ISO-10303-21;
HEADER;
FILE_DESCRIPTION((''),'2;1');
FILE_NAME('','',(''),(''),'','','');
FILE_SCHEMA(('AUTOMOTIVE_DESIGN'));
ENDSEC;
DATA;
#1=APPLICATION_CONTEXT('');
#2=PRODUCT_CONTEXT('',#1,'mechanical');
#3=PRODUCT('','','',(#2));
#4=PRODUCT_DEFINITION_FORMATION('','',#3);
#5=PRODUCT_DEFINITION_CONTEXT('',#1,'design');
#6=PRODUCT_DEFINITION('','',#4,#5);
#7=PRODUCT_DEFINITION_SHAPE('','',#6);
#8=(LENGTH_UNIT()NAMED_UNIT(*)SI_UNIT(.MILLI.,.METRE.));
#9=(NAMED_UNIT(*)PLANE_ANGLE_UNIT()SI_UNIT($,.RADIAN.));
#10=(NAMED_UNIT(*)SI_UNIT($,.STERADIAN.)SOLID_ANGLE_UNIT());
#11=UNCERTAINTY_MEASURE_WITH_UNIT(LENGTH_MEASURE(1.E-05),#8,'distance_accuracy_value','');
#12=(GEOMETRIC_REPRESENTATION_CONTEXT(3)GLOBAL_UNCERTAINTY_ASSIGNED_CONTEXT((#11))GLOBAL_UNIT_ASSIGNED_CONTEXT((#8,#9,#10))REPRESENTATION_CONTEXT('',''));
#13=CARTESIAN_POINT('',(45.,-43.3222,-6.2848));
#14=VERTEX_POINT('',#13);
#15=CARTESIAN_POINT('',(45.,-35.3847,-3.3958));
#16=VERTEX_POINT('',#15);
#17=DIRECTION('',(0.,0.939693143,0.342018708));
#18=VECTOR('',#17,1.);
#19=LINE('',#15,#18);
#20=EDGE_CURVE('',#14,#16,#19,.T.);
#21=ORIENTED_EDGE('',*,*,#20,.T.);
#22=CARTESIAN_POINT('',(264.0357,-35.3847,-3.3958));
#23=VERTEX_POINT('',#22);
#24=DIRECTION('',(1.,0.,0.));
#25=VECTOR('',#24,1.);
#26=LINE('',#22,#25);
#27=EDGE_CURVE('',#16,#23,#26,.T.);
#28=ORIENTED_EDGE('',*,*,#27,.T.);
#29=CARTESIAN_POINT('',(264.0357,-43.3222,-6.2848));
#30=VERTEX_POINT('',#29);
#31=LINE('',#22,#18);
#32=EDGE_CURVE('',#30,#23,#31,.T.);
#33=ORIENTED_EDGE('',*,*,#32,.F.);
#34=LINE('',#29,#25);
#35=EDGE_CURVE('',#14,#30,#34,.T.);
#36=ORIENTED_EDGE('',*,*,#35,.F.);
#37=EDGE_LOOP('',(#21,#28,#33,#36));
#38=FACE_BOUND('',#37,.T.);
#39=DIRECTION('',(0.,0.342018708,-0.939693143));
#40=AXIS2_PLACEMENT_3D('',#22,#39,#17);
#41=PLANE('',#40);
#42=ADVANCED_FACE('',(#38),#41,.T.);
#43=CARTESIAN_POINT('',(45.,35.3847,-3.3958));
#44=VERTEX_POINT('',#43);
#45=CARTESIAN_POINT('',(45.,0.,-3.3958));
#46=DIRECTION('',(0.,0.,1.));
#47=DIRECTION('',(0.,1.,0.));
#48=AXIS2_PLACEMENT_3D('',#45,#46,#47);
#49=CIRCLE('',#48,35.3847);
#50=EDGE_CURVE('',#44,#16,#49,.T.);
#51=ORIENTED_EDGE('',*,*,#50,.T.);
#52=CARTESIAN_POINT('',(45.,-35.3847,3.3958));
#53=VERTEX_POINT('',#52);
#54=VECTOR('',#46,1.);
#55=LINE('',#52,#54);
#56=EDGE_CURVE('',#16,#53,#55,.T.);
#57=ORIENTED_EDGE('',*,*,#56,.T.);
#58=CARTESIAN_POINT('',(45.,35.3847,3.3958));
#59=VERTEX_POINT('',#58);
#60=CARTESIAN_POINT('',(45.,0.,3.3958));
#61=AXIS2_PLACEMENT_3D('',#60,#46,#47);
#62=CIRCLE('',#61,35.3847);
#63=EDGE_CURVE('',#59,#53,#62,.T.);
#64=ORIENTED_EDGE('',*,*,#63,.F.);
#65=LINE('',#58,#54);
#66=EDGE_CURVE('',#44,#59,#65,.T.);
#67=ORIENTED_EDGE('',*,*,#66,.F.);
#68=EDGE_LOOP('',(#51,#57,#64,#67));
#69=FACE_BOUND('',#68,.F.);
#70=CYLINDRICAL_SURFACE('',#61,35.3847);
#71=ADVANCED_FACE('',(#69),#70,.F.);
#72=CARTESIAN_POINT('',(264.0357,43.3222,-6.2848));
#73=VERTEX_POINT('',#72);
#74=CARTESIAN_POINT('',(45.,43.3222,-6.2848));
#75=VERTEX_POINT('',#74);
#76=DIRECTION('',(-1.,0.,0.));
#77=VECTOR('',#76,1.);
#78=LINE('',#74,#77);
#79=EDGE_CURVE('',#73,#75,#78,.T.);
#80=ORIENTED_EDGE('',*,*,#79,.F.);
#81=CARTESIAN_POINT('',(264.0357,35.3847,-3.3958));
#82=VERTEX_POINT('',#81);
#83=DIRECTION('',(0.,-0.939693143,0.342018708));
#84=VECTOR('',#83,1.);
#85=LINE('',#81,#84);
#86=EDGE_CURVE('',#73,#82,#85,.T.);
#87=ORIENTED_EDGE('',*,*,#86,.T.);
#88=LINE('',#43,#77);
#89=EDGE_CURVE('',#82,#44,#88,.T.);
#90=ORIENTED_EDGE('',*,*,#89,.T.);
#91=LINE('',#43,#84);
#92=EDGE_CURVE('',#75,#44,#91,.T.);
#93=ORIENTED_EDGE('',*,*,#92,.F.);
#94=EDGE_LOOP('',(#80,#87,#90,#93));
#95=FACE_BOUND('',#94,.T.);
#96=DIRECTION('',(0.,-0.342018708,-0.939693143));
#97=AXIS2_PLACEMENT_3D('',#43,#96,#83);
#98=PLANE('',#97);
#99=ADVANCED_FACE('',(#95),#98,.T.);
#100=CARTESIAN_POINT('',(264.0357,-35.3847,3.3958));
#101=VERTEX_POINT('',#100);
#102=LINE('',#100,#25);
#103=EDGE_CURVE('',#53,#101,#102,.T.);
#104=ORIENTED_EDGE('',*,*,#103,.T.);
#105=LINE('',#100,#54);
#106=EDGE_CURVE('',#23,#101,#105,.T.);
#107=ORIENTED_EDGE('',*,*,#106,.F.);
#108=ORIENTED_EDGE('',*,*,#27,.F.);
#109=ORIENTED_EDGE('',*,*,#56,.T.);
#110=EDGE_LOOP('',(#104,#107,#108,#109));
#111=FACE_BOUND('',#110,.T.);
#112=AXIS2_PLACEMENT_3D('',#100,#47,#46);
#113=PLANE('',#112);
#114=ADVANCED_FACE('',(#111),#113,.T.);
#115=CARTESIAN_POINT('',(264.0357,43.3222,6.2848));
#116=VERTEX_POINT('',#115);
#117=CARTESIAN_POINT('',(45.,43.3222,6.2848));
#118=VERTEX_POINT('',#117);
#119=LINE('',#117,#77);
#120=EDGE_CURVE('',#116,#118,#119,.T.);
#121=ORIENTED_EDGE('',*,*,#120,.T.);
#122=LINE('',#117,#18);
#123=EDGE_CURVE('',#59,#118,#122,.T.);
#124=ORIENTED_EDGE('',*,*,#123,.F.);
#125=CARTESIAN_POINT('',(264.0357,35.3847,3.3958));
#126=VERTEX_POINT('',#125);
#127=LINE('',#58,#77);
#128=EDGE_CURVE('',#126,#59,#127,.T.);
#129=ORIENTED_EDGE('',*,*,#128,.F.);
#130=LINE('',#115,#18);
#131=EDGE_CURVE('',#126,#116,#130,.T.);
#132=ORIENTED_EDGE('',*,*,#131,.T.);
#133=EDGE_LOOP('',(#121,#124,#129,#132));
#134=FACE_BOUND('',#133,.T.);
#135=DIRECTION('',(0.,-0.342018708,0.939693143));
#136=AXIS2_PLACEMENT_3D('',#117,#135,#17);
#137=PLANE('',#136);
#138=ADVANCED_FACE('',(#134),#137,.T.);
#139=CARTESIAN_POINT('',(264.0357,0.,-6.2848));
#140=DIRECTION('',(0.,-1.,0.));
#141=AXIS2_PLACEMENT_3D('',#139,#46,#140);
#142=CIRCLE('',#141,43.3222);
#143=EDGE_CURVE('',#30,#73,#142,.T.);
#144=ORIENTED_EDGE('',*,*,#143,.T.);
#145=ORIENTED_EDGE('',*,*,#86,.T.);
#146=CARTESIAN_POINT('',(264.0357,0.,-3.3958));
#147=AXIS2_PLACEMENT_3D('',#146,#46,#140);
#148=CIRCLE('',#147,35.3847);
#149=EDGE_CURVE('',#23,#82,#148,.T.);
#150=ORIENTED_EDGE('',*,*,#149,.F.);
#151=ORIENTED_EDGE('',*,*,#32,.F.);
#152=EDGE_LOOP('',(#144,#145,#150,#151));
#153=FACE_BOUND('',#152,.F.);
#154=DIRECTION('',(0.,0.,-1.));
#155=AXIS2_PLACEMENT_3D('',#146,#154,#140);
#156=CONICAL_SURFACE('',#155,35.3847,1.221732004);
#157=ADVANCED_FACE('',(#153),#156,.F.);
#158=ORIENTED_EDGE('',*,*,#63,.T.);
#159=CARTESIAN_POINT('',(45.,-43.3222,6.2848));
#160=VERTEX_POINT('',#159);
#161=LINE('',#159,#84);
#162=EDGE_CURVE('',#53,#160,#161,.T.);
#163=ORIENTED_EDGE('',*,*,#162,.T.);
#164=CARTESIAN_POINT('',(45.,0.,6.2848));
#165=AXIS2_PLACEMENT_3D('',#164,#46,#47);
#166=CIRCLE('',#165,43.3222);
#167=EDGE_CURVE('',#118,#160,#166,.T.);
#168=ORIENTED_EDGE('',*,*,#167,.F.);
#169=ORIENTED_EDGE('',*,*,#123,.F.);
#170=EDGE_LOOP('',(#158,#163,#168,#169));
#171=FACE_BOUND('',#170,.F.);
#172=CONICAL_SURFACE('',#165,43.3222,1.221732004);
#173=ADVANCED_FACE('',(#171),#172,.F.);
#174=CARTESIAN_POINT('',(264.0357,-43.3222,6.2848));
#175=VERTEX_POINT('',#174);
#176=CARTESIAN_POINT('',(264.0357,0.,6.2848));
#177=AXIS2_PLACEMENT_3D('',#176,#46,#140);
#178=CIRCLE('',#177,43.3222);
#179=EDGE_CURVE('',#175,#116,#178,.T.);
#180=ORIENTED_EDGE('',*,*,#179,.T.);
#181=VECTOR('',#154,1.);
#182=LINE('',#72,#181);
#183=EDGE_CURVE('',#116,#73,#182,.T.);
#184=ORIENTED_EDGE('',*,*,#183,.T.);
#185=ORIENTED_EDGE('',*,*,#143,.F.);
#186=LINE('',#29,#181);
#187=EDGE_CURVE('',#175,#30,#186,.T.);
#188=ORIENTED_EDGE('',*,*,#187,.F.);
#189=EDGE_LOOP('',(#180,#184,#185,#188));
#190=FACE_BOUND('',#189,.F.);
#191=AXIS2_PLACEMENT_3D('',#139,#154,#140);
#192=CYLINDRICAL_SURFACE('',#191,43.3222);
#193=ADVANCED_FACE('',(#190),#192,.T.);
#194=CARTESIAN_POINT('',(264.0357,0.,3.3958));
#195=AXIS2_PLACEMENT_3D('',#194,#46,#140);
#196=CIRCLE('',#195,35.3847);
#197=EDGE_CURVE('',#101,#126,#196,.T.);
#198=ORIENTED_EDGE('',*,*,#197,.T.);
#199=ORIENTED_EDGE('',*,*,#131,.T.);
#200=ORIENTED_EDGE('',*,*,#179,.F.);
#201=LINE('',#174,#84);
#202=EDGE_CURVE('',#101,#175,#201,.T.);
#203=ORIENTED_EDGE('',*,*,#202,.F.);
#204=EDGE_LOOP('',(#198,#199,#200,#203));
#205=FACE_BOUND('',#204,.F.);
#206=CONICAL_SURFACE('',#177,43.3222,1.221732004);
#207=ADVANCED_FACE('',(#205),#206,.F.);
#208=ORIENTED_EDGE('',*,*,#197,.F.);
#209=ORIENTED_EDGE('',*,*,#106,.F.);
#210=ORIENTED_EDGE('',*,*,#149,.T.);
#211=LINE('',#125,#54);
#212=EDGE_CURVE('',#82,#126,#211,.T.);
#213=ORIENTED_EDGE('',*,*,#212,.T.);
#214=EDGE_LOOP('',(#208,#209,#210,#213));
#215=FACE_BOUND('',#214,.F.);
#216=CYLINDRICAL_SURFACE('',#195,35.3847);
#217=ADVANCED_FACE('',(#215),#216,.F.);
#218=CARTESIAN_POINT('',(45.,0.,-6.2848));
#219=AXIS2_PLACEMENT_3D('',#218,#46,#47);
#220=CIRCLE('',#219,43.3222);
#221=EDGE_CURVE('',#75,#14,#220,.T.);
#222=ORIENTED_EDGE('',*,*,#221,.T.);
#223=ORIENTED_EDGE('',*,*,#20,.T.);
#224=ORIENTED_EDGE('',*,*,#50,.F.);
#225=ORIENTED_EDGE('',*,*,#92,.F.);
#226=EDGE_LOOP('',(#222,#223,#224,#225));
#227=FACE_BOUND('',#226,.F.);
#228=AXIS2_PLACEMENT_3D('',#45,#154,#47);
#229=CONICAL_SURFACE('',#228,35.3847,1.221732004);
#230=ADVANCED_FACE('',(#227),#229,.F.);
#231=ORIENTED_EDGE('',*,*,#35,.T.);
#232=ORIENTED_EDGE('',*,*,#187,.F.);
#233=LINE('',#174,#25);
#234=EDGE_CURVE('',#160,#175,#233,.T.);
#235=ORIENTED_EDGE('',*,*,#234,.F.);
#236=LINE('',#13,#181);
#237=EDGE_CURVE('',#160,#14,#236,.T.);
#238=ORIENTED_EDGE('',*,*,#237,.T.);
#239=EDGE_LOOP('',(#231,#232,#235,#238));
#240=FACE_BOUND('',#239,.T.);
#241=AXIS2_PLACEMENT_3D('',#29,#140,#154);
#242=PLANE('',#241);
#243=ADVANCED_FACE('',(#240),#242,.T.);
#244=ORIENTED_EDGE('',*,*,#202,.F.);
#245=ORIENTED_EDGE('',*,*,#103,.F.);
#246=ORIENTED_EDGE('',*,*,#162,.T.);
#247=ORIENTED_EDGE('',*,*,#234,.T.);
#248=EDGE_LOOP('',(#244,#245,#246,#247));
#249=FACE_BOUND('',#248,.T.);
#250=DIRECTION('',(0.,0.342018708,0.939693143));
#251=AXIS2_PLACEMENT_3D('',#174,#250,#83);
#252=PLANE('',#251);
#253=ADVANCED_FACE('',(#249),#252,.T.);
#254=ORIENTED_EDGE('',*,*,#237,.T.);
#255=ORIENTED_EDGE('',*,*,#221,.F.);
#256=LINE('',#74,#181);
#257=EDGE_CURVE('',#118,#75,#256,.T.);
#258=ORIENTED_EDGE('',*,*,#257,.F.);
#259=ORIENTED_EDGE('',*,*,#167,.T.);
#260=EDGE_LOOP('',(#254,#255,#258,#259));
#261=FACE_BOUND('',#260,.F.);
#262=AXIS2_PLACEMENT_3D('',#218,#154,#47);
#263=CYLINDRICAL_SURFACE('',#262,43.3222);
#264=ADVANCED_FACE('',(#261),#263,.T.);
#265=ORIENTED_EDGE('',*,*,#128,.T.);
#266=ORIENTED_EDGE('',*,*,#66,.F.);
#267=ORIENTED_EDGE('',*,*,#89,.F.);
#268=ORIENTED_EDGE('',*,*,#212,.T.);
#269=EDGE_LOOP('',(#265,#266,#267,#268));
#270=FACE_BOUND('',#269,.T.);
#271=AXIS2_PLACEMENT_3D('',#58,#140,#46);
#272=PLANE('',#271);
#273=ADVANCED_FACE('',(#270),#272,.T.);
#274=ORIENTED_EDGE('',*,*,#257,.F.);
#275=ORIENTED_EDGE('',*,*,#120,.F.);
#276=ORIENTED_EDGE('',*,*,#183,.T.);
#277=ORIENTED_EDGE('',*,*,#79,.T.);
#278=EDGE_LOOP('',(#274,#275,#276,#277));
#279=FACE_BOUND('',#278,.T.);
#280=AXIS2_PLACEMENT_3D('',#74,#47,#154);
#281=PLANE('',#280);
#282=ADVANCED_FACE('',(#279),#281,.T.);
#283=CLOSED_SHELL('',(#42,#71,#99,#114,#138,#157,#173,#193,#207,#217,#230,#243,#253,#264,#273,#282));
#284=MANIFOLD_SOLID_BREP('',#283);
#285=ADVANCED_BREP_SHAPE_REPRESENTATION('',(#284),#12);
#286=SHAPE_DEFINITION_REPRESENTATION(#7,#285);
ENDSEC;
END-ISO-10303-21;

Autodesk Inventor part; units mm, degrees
ref_plane "YZ Plane" through (0, 0, 0) normal (1, 0, 0) x (0, 1, 0)
ref_plane "XZ Plane" through (0, 0, 0) normal (0, 1, 0) x (-1, 0, 0)
sketch "Sketch Path" plane through (0, 0, 0) normal (0, 0, 1) x (1, 0, 0)
  arc A0 (45, 40.64) -> (45, -40.64) centre (45, 0) ccw
  arc A1 (264.0357, -40.64) -> (264.0357, 40.64) centre (264.0357, 0) ccw
  line L0 (264.0357, -40.64) -> (45, -40.64)
  line L1 (45, 40.64) -> (264.0357, 40.64)
ref_plane "Cross Section Plane" through (45, -40.64, 0) normal (1, 0, 0) x (0, 0, 1)
sketch "Cross Section" plane through (45, -40.64, 0) normal (1, 0, 0) x (0, 0, 1)
  line L0 (0, 2.6822) -> (0, -5.2553) construction
  line L1 (-5.3086, 0) -> (5.3086, 0) construction
  line L2 (-6.2848, 2.6822) -> (6.2848, 2.6822)
  line L3 (6.2848, 2.6822) -> (3.3958, -5.2553)
  line L4 (3.3958, -5.2553) -> (-3.3958, -5.2553)
  line L5 (-3.3958, -5.2553) -> (-6.2848, 2.6822)
  point P0 (0, 0)
  point P1 (0, 0)
  point P2 (0, 0)
  dimension "d0" = 10.6172
  dimension "d1" = 2.6822
  dimension "d2" = 40
  dimension "d3" = 7.9375
sweep "Belt" add profiles "Cross Section" path "Sketch Path"
equation "\"d0\" = da_Bw"
equation "\"d1\" = da_Hw"
equation "\"d2\" = da_Alfa"
equation "\"d3\" = da_H"
equation "\"da_Alfa\" = 40deg"
equation "\"da_H\" = 7.9375"
equation "\"da_Bw\" = 10.6172"
equation "\"da_Hw\" = 2.6822"
properties part number "V-Belt" material "Rubber"
